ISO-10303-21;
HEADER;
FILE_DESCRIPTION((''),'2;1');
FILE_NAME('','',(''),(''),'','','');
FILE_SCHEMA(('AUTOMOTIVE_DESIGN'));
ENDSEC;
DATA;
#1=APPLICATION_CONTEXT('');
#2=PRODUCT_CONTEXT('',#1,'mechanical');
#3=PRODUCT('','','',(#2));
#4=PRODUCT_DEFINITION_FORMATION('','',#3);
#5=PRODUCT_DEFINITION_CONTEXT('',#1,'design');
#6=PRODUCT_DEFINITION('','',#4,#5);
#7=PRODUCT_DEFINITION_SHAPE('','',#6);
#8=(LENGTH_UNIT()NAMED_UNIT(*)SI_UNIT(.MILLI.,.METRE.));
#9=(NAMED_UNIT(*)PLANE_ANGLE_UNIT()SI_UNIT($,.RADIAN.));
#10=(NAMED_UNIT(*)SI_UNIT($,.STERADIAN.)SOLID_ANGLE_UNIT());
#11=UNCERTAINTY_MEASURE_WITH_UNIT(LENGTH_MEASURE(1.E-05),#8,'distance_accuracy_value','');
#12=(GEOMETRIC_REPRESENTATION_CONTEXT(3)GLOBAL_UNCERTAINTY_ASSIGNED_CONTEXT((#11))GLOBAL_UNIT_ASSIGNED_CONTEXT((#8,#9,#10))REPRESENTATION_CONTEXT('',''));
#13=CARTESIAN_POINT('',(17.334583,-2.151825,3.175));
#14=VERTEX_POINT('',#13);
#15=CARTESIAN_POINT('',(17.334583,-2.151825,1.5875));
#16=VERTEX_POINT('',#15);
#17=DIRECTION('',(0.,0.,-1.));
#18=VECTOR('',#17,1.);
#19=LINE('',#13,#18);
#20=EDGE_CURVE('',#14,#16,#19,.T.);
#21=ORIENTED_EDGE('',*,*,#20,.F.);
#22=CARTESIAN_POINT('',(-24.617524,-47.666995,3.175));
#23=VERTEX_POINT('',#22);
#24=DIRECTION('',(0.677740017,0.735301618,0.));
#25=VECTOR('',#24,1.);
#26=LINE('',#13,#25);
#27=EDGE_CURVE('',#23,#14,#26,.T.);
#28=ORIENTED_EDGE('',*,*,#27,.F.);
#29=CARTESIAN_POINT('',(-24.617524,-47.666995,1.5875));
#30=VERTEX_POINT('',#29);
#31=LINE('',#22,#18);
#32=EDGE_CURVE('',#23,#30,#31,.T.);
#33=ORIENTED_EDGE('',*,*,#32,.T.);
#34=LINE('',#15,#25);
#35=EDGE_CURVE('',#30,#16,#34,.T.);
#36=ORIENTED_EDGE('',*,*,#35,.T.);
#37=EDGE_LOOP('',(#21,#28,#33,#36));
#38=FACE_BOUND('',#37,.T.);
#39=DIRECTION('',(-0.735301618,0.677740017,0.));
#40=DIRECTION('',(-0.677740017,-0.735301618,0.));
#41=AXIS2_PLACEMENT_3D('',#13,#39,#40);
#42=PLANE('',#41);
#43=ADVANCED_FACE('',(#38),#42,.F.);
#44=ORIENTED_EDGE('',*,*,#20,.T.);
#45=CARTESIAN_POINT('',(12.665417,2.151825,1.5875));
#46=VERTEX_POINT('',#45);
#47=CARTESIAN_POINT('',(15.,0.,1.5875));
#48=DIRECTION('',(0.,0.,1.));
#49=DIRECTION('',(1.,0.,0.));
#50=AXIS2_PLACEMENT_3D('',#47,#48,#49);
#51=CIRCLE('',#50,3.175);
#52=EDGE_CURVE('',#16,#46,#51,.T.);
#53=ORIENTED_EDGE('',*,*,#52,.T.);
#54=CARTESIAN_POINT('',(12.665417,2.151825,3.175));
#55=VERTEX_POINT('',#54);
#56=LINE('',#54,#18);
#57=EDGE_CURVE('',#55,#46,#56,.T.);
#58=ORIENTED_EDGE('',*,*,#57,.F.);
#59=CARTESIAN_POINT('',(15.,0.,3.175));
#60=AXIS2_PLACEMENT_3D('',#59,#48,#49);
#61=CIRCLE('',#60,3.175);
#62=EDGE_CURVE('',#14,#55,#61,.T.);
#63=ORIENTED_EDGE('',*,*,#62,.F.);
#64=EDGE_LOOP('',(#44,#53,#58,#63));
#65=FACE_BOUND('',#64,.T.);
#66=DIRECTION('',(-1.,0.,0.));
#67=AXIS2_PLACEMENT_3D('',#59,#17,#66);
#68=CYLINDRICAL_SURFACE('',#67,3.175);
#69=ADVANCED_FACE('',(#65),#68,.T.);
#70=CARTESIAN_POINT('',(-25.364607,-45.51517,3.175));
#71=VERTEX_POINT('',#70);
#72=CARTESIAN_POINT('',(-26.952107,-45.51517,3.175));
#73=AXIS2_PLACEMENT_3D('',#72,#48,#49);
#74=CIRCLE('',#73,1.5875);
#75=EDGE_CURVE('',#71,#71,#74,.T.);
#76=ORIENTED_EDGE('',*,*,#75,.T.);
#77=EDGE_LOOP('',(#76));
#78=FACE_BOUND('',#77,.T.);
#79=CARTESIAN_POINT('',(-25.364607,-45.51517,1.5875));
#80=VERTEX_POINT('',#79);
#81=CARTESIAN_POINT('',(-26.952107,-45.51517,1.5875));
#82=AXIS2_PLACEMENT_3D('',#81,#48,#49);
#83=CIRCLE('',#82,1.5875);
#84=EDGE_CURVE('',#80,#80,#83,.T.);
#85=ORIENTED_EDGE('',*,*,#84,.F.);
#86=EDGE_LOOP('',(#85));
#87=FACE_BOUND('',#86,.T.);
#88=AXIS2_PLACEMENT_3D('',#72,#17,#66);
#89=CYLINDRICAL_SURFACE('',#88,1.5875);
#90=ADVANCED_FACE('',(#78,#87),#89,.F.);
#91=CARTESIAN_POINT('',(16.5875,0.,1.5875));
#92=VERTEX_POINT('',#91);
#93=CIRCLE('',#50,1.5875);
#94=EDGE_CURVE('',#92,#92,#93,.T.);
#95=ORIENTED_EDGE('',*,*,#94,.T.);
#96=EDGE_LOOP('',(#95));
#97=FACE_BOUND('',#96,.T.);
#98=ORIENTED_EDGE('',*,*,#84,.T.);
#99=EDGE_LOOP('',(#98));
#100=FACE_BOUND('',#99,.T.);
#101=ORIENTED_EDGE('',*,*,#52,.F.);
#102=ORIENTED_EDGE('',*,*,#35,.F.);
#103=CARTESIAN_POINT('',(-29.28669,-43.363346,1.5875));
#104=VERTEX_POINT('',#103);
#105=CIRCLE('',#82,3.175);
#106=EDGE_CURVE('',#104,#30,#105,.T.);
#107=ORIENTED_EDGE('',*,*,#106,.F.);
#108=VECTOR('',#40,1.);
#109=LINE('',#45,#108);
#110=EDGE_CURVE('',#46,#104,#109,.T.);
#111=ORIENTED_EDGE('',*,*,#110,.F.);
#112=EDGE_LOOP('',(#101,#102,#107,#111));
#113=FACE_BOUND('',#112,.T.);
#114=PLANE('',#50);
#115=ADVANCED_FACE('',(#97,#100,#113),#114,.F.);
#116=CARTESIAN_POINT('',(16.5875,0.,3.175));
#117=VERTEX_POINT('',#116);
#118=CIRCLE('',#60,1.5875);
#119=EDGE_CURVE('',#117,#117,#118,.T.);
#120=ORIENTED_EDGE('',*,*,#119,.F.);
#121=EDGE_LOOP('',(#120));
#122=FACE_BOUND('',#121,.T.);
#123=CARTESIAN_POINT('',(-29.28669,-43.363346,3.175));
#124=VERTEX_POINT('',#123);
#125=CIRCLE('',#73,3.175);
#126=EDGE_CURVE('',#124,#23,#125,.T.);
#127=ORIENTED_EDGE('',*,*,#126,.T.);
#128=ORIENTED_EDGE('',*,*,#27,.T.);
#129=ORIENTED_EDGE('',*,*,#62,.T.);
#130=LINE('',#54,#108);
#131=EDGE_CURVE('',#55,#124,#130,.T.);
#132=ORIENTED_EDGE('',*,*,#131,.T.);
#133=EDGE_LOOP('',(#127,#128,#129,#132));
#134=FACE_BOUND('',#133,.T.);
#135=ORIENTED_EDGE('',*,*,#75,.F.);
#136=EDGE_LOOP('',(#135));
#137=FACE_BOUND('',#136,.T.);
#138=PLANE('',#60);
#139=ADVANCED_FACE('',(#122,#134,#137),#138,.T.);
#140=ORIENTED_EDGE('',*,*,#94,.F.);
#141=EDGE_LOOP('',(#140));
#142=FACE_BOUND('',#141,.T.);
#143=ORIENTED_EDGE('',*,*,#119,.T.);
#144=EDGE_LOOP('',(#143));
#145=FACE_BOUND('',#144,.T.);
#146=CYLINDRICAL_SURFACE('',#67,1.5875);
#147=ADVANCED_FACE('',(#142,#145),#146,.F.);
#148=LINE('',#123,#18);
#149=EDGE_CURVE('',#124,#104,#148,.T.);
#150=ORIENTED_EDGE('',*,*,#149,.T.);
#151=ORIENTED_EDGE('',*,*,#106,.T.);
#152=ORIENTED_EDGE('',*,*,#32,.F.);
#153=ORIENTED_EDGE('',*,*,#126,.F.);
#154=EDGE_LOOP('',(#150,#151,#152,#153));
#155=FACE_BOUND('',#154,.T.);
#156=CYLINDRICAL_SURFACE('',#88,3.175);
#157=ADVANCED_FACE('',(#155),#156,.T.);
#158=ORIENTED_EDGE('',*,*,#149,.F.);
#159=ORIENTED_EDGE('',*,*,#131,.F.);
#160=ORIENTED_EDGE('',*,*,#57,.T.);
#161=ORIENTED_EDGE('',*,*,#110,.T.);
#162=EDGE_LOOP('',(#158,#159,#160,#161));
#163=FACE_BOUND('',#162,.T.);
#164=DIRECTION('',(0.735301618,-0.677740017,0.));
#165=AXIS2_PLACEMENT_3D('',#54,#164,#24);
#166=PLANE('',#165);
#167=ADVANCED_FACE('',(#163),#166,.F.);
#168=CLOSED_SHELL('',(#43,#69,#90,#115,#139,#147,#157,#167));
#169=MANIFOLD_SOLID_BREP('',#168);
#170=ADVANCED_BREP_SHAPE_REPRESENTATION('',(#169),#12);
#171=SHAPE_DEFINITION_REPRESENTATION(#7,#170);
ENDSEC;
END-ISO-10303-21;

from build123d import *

# Parameters (mm, degrees)
BOSS_EXTRUDE1_START = 1.5875
SKETCH1_R           = 1.5875
BOSS_EXTRUDE1_DEPTH = 1.5875


with BuildPart() as part:
    # Sketch1 → Boss-Extrude1 (new body)
    with BuildSketch(Plane.XY.offset(BOSS_EXTRUDE1_START)):
        with BuildLine():
            Line((17.334582638, -2.151824553), (-24.617524394, -47.666994723))
            ThreePointArc((-24.617524394, -47.666994723), (-29.103931584, -47.849752808), (-29.28668967, -43.363345617))
            Line((-29.28668967, -43.363345617), (12.665417362, 2.151824553))
            ThreePointArc((12.665417362, 2.151824553), (17.151824553, 2.334582638), (17.334582638, -2.151824553))
        make_face()
        with Locations((-26.952107032, -45.51517017)):
            Circle(SKETCH1_R, mode=Mode.SUBTRACT)
        with Locations((15, 0)):
            Circle(SKETCH1_R, mode=Mode.SUBTRACT)
    extrude(amount=BOSS_EXTRUDE1_DEPTH)


solid = part.part
